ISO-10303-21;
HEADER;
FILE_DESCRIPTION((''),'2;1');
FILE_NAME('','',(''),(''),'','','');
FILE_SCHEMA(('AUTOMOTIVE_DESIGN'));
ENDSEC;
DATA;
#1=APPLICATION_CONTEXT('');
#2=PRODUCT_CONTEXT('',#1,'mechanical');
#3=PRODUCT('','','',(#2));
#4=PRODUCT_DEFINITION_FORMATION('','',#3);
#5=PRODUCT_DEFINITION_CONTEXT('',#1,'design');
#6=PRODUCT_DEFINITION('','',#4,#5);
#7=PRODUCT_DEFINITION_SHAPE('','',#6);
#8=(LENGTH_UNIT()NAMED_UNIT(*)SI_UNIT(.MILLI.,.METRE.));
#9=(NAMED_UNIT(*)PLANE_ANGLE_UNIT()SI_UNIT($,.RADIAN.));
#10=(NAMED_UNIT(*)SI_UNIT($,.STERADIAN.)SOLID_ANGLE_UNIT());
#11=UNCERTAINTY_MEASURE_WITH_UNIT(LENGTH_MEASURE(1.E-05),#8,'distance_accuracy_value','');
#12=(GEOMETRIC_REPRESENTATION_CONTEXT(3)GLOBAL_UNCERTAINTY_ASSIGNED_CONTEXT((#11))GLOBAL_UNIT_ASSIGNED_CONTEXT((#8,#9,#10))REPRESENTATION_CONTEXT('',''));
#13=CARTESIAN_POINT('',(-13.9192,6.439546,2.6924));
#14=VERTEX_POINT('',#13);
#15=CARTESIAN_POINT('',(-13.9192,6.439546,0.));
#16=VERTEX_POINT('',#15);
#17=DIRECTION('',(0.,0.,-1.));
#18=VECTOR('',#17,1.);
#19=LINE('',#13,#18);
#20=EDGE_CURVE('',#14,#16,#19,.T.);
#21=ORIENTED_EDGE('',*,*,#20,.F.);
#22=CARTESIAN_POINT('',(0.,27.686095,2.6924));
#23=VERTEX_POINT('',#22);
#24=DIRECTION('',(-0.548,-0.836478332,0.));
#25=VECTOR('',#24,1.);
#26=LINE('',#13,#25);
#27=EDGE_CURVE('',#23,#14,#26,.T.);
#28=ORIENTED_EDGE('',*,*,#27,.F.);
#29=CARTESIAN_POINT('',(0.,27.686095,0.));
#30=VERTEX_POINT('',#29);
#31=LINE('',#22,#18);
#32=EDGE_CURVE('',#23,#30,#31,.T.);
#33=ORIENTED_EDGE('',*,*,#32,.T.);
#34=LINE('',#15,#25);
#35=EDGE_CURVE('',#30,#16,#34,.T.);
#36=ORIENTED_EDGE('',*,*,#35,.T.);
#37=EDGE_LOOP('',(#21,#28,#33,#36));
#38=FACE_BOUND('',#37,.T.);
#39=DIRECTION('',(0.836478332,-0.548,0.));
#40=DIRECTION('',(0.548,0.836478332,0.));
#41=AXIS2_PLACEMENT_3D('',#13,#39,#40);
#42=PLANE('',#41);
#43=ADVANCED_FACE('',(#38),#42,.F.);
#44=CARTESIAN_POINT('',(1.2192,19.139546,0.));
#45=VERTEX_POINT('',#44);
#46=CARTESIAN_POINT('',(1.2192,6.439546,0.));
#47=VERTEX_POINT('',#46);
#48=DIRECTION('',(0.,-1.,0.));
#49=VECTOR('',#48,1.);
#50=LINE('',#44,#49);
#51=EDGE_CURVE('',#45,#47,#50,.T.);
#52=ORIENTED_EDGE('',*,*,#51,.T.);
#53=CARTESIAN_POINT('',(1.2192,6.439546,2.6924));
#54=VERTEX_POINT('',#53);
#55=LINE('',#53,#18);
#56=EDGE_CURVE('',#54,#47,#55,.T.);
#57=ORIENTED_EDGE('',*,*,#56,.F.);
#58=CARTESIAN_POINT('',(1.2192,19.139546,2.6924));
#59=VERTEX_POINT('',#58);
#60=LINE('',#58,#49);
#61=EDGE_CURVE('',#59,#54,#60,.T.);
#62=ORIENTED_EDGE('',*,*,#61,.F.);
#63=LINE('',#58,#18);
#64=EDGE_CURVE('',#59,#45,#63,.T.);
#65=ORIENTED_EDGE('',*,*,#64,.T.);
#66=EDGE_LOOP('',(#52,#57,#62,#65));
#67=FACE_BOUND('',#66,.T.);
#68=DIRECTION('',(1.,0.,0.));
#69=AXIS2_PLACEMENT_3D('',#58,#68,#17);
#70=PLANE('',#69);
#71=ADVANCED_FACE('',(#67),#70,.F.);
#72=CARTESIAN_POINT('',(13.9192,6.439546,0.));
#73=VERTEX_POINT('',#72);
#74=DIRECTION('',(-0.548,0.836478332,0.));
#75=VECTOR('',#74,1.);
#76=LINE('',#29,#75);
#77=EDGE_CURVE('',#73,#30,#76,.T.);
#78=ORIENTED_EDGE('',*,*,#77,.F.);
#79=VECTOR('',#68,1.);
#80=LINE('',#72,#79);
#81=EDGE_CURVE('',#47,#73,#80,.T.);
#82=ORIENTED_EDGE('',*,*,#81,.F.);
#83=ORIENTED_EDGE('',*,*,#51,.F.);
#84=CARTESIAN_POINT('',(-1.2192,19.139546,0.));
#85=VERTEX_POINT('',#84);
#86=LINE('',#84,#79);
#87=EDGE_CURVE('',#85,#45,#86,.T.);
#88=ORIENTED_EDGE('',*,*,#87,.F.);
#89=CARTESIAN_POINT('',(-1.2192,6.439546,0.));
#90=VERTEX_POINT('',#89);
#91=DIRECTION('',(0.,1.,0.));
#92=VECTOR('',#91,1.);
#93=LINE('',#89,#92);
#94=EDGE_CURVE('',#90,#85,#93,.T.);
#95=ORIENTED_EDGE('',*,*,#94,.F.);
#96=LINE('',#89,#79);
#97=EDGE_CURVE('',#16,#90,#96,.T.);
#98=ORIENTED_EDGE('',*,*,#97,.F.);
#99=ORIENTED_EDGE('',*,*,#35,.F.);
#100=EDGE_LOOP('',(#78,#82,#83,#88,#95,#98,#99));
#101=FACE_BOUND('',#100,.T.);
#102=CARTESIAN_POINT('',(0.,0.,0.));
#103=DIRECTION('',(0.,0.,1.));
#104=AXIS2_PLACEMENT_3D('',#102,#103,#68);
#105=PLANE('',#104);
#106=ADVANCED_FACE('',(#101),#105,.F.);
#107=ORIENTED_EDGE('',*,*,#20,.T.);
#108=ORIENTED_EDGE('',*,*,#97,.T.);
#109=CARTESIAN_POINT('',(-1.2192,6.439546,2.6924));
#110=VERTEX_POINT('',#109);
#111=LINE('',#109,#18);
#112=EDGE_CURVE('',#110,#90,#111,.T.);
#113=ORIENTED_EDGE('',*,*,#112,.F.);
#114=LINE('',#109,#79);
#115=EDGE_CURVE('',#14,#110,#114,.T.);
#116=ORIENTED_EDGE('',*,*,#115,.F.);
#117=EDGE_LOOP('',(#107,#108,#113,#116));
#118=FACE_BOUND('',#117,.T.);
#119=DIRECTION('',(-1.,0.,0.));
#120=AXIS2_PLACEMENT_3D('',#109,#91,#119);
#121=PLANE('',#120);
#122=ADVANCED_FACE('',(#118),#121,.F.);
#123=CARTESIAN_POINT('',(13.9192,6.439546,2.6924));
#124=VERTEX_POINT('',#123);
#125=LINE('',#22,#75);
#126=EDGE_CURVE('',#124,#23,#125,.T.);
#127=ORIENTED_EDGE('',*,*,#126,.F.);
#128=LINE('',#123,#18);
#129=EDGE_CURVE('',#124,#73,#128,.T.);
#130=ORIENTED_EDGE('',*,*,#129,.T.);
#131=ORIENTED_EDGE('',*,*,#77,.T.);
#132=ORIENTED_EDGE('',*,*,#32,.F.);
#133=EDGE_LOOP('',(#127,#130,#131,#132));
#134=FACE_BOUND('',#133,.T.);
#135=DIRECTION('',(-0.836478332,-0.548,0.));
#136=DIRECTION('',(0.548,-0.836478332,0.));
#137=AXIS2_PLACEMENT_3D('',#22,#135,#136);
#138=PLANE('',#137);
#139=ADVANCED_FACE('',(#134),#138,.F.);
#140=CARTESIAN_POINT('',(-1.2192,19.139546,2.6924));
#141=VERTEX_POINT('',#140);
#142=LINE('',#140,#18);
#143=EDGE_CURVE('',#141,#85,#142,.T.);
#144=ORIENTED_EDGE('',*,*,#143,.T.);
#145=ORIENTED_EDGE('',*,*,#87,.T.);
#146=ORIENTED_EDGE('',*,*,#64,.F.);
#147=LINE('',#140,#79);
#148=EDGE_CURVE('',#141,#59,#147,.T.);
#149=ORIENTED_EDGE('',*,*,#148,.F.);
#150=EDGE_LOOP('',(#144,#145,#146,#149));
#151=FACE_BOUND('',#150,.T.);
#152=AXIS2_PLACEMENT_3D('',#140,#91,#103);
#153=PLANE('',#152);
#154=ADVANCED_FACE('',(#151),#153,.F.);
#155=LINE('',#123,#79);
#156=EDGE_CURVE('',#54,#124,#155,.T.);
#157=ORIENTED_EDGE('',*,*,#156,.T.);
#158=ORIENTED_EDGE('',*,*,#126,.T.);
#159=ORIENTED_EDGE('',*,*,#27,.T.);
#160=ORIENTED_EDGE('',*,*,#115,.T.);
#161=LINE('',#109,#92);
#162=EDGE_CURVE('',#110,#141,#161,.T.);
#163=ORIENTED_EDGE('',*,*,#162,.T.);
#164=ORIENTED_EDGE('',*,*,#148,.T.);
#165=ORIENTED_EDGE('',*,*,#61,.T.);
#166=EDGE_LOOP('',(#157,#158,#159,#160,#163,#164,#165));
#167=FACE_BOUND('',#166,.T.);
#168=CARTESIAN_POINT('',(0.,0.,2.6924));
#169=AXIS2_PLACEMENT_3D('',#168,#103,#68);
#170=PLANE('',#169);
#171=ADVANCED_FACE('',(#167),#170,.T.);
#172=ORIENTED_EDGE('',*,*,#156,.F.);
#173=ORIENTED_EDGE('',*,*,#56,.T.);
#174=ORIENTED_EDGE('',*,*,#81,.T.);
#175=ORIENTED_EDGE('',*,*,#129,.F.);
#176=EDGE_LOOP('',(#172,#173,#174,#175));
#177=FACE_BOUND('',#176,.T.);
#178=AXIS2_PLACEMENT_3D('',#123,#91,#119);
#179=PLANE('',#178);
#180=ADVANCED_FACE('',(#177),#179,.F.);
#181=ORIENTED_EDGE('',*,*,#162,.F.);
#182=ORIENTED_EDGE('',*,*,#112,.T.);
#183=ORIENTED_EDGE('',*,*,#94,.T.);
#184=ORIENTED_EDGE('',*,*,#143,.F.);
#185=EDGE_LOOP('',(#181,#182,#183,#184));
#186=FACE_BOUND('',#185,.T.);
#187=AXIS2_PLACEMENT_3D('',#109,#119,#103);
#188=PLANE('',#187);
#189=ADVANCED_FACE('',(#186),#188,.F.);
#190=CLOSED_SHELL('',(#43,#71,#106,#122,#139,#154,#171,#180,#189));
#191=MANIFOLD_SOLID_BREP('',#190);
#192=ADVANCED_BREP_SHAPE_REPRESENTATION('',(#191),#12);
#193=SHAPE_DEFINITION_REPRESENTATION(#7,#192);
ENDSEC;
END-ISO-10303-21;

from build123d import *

# Parameters (mm, degrees)
BOSS_EXTRUDE1_DEPTH = 2.6924


with BuildPart() as part:
    # Sketch1 → Boss-Extrude1 (new body)
    with BuildSketch(Plane.XY):
        Polygon((-13.9192, 6.439545569), (0, 27.686095203), (13.9192, 6.439545569), (1.2192, 6.439545569), (1.2192, 19.139545569), (-1.2192, 19.139545569), (-1.2192, 6.439545569), align=None)
    extrude(amount=BOSS_EXTRUDE1_DEPTH)


solid = part.part
